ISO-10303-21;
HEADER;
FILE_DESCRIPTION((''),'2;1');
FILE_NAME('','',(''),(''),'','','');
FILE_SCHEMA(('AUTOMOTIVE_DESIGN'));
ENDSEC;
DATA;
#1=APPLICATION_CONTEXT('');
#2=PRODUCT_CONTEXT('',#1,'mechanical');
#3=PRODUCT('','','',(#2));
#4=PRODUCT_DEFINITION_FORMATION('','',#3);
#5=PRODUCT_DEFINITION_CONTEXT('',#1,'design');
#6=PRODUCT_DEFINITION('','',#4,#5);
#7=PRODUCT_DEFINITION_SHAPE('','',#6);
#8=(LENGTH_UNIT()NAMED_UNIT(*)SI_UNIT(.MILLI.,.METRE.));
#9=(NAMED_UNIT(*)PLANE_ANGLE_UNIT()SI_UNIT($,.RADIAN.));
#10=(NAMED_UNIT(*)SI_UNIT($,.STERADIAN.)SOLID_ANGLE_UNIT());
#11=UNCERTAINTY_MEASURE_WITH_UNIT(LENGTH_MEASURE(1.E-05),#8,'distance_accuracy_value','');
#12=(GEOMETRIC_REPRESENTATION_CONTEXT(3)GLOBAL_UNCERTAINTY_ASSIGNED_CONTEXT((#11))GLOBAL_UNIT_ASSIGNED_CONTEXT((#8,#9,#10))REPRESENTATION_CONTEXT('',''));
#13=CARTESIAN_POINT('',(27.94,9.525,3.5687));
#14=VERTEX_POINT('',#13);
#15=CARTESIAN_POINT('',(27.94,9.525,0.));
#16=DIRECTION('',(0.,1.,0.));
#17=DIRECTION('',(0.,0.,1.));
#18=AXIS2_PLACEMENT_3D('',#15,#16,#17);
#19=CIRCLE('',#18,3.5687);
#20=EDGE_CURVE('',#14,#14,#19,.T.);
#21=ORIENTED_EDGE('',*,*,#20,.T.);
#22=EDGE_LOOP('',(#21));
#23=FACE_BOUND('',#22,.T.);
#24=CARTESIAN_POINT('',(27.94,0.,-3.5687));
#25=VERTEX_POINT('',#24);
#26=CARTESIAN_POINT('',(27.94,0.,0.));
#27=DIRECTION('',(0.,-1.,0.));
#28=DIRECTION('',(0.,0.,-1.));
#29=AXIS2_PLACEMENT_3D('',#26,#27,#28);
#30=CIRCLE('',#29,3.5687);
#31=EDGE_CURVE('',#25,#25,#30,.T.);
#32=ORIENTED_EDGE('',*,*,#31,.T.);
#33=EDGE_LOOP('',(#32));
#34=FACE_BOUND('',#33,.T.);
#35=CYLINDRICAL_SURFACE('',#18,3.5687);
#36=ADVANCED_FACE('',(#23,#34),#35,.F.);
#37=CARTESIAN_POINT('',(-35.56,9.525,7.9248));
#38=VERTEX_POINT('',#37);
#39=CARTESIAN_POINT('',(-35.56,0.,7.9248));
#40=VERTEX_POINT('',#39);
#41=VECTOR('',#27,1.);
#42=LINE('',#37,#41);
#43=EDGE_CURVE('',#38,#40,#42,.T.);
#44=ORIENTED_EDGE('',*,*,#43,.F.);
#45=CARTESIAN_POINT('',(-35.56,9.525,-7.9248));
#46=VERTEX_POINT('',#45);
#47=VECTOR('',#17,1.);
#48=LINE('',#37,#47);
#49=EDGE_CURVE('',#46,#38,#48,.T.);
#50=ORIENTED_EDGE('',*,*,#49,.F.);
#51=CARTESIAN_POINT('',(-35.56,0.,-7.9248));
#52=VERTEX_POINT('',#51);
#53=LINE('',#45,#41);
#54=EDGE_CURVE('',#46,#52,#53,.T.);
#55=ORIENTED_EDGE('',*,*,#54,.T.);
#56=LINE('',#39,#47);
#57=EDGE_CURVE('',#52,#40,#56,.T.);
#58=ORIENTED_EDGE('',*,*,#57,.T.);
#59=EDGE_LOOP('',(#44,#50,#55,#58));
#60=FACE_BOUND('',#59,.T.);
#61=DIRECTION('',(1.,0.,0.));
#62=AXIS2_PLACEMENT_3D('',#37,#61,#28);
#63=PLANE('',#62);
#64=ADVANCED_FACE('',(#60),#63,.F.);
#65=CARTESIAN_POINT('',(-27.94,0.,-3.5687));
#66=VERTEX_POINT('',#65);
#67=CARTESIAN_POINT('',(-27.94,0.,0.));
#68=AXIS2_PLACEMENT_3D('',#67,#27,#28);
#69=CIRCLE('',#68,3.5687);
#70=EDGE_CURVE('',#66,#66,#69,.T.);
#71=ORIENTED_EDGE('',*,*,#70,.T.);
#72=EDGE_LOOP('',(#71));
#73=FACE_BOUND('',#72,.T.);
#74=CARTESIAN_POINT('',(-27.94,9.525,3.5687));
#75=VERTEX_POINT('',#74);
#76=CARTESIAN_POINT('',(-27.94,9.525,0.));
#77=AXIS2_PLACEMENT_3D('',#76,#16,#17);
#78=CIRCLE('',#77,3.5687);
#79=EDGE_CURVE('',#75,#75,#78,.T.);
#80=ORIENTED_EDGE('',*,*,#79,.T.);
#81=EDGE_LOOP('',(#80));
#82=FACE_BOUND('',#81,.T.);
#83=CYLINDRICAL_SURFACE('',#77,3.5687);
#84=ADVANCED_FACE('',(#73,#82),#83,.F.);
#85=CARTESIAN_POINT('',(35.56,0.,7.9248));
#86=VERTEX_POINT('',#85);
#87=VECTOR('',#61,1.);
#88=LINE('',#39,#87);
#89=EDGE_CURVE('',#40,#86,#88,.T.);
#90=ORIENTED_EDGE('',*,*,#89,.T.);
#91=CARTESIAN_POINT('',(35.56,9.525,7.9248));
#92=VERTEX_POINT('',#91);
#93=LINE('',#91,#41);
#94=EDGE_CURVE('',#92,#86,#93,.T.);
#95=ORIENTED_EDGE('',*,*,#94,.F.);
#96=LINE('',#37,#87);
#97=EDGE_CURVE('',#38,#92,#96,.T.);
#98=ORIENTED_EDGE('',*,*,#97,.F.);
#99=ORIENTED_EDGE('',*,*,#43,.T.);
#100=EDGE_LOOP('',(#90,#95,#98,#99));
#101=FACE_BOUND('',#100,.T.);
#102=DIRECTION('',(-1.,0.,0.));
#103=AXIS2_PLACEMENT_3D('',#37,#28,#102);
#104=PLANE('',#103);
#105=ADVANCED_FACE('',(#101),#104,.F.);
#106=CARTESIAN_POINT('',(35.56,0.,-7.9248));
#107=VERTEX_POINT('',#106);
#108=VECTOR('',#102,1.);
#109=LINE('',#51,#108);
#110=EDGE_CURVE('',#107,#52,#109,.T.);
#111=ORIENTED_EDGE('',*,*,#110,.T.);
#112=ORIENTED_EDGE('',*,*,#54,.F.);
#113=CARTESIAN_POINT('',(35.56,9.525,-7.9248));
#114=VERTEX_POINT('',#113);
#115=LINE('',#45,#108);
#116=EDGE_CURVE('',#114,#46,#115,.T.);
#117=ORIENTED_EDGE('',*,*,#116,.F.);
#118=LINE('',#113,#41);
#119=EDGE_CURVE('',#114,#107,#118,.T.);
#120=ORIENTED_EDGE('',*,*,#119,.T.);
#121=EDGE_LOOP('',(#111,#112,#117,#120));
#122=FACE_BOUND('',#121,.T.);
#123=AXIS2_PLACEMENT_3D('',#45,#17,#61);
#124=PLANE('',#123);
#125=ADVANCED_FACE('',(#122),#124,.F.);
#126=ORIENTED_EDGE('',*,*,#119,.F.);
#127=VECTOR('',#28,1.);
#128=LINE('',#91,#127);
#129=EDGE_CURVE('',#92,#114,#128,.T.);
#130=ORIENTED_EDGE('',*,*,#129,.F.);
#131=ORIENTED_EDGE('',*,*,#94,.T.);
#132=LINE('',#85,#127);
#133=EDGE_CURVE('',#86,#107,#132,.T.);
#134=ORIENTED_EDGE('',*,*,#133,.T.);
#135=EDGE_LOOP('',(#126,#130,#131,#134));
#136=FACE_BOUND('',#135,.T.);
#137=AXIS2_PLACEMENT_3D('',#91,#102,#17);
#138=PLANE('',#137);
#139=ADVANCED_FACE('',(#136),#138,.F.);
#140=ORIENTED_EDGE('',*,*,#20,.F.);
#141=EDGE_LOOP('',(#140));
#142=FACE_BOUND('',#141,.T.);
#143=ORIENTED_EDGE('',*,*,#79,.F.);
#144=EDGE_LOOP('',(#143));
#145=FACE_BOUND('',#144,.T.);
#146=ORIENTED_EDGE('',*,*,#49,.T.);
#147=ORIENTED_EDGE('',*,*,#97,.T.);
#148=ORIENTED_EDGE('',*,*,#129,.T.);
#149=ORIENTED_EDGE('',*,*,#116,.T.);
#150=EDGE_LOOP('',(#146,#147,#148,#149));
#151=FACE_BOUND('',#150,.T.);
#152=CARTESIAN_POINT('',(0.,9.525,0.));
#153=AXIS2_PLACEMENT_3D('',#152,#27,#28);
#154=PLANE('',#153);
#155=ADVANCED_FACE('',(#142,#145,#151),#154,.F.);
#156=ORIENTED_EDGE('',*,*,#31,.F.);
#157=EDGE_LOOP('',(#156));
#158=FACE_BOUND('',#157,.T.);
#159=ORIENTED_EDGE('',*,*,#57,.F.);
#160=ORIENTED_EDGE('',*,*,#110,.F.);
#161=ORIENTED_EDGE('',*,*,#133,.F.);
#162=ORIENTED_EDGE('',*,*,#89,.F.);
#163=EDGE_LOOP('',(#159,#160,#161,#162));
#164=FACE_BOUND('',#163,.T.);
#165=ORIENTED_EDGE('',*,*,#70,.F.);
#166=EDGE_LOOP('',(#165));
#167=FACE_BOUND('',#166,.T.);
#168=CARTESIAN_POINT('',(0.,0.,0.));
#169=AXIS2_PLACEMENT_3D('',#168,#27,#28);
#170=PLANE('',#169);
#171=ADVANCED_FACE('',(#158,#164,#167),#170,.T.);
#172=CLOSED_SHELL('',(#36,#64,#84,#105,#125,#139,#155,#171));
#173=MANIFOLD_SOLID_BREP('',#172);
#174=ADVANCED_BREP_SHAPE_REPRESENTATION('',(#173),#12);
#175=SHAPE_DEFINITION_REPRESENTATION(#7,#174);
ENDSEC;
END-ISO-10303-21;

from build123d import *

# Parameters (mm, degrees)
SKETCH1_W                    = 71.12
SKETCH1_H                    = 15.8496
BOSS_EXTRUDE1_DEPTH          = 9.525
K_0_281_DIAMETER_HOLE1_D     = 7.1374
K_0_281_DIAMETER_HOLE1_DEPTH = 9.525


with BuildPart() as part:
    # Sketch1 → Boss-Extrude1 (new body)
    with BuildSketch(Plane(origin=(0, 0, 0), x_dir=(1, 0, 0), z_dir=(0, 1, 0))):
        Rectangle(SKETCH1_W, SKETCH1_H)
    extrude(amount=BOSS_EXTRUDE1_DEPTH)

    # K (0.281) Diameter Hole1
    with Locations(Plane(origin=(0, 9.525, 0), x_dir=(1, 0, 0), z_dir=(0, 1, 0))):
        with Locations((-27.94, 0), (27.94, 0)):
            Hole(K_0_281_DIAMETER_HOLE1_D / 2, depth=K_0_281_DIAMETER_HOLE1_DEPTH)


solid = part.part
